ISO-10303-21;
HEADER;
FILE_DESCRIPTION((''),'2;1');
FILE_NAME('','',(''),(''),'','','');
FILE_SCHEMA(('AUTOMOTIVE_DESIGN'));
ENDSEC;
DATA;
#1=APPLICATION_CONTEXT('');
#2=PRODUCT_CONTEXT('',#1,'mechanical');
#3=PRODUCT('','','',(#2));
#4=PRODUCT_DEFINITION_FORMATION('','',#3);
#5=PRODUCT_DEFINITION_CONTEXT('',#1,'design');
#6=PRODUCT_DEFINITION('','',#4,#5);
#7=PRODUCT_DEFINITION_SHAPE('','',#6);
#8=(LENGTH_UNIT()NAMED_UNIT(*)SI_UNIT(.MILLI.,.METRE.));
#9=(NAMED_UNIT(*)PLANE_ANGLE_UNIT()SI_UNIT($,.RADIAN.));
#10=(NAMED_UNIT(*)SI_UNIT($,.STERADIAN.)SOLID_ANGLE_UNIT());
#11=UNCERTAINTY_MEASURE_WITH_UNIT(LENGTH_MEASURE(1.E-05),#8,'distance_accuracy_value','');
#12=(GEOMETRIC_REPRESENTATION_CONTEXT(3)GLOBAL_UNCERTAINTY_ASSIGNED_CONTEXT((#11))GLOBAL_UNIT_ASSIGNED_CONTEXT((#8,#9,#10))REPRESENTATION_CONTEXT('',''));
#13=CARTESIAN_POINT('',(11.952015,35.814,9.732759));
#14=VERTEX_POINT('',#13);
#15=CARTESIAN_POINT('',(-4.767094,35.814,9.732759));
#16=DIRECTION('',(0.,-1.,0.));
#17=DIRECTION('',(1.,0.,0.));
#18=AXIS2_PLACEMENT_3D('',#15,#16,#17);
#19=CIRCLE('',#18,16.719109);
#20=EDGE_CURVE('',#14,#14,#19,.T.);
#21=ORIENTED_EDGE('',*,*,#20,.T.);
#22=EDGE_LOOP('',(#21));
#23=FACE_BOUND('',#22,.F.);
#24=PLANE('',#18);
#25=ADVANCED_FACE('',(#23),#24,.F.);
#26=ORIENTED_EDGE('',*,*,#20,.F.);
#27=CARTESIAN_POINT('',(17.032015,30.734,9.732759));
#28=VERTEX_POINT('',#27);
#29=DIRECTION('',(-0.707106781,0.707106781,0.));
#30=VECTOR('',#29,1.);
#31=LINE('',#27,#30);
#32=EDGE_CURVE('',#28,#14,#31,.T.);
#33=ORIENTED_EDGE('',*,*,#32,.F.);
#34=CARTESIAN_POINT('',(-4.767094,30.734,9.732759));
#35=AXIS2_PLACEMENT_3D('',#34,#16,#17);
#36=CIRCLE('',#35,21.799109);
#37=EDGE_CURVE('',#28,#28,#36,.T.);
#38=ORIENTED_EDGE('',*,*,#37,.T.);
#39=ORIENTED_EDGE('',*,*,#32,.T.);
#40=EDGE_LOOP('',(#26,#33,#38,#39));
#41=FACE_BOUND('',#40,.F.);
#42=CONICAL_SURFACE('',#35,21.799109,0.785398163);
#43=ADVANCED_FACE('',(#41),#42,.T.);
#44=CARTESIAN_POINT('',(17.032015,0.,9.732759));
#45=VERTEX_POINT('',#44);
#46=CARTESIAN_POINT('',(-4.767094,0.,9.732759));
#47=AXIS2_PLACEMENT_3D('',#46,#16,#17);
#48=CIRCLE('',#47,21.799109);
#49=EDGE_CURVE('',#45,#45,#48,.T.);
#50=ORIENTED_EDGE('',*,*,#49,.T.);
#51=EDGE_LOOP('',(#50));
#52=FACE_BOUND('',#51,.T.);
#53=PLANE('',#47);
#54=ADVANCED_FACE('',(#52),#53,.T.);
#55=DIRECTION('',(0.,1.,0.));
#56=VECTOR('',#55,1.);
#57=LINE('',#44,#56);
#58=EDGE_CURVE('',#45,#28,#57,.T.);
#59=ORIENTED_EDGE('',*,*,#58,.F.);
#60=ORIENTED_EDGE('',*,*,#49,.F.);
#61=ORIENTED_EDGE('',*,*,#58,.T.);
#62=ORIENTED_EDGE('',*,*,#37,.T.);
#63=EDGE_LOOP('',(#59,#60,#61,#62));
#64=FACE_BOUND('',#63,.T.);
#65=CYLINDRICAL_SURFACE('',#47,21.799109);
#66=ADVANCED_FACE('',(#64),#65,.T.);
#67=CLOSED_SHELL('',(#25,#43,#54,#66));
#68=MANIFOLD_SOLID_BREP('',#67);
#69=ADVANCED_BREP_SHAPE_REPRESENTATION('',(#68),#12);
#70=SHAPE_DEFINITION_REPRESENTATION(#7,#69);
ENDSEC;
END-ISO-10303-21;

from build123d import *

# Parameters (mm, degrees)
F0_R     = 21.799109
F1_DEPTH = 35.814
F2_SIZE  = 5.08


with BuildPart() as f1:
    # F0 (on Front) → F1 (new body)
    with BuildSketch(Plane.XZ):
        with Locations((-4.767094, 9.732759)):
            Circle(F0_R)
    extrude(amount=-F1_DEPTH)

    # F2
    f2_edges = [f1.edges().sort_by_distance(p)[0] for p in [
        (-26.566203, 35.814, 9.732759),
    ]]
    chamfer(f2_edges, length=F2_SIZE)


solid = f1.part
